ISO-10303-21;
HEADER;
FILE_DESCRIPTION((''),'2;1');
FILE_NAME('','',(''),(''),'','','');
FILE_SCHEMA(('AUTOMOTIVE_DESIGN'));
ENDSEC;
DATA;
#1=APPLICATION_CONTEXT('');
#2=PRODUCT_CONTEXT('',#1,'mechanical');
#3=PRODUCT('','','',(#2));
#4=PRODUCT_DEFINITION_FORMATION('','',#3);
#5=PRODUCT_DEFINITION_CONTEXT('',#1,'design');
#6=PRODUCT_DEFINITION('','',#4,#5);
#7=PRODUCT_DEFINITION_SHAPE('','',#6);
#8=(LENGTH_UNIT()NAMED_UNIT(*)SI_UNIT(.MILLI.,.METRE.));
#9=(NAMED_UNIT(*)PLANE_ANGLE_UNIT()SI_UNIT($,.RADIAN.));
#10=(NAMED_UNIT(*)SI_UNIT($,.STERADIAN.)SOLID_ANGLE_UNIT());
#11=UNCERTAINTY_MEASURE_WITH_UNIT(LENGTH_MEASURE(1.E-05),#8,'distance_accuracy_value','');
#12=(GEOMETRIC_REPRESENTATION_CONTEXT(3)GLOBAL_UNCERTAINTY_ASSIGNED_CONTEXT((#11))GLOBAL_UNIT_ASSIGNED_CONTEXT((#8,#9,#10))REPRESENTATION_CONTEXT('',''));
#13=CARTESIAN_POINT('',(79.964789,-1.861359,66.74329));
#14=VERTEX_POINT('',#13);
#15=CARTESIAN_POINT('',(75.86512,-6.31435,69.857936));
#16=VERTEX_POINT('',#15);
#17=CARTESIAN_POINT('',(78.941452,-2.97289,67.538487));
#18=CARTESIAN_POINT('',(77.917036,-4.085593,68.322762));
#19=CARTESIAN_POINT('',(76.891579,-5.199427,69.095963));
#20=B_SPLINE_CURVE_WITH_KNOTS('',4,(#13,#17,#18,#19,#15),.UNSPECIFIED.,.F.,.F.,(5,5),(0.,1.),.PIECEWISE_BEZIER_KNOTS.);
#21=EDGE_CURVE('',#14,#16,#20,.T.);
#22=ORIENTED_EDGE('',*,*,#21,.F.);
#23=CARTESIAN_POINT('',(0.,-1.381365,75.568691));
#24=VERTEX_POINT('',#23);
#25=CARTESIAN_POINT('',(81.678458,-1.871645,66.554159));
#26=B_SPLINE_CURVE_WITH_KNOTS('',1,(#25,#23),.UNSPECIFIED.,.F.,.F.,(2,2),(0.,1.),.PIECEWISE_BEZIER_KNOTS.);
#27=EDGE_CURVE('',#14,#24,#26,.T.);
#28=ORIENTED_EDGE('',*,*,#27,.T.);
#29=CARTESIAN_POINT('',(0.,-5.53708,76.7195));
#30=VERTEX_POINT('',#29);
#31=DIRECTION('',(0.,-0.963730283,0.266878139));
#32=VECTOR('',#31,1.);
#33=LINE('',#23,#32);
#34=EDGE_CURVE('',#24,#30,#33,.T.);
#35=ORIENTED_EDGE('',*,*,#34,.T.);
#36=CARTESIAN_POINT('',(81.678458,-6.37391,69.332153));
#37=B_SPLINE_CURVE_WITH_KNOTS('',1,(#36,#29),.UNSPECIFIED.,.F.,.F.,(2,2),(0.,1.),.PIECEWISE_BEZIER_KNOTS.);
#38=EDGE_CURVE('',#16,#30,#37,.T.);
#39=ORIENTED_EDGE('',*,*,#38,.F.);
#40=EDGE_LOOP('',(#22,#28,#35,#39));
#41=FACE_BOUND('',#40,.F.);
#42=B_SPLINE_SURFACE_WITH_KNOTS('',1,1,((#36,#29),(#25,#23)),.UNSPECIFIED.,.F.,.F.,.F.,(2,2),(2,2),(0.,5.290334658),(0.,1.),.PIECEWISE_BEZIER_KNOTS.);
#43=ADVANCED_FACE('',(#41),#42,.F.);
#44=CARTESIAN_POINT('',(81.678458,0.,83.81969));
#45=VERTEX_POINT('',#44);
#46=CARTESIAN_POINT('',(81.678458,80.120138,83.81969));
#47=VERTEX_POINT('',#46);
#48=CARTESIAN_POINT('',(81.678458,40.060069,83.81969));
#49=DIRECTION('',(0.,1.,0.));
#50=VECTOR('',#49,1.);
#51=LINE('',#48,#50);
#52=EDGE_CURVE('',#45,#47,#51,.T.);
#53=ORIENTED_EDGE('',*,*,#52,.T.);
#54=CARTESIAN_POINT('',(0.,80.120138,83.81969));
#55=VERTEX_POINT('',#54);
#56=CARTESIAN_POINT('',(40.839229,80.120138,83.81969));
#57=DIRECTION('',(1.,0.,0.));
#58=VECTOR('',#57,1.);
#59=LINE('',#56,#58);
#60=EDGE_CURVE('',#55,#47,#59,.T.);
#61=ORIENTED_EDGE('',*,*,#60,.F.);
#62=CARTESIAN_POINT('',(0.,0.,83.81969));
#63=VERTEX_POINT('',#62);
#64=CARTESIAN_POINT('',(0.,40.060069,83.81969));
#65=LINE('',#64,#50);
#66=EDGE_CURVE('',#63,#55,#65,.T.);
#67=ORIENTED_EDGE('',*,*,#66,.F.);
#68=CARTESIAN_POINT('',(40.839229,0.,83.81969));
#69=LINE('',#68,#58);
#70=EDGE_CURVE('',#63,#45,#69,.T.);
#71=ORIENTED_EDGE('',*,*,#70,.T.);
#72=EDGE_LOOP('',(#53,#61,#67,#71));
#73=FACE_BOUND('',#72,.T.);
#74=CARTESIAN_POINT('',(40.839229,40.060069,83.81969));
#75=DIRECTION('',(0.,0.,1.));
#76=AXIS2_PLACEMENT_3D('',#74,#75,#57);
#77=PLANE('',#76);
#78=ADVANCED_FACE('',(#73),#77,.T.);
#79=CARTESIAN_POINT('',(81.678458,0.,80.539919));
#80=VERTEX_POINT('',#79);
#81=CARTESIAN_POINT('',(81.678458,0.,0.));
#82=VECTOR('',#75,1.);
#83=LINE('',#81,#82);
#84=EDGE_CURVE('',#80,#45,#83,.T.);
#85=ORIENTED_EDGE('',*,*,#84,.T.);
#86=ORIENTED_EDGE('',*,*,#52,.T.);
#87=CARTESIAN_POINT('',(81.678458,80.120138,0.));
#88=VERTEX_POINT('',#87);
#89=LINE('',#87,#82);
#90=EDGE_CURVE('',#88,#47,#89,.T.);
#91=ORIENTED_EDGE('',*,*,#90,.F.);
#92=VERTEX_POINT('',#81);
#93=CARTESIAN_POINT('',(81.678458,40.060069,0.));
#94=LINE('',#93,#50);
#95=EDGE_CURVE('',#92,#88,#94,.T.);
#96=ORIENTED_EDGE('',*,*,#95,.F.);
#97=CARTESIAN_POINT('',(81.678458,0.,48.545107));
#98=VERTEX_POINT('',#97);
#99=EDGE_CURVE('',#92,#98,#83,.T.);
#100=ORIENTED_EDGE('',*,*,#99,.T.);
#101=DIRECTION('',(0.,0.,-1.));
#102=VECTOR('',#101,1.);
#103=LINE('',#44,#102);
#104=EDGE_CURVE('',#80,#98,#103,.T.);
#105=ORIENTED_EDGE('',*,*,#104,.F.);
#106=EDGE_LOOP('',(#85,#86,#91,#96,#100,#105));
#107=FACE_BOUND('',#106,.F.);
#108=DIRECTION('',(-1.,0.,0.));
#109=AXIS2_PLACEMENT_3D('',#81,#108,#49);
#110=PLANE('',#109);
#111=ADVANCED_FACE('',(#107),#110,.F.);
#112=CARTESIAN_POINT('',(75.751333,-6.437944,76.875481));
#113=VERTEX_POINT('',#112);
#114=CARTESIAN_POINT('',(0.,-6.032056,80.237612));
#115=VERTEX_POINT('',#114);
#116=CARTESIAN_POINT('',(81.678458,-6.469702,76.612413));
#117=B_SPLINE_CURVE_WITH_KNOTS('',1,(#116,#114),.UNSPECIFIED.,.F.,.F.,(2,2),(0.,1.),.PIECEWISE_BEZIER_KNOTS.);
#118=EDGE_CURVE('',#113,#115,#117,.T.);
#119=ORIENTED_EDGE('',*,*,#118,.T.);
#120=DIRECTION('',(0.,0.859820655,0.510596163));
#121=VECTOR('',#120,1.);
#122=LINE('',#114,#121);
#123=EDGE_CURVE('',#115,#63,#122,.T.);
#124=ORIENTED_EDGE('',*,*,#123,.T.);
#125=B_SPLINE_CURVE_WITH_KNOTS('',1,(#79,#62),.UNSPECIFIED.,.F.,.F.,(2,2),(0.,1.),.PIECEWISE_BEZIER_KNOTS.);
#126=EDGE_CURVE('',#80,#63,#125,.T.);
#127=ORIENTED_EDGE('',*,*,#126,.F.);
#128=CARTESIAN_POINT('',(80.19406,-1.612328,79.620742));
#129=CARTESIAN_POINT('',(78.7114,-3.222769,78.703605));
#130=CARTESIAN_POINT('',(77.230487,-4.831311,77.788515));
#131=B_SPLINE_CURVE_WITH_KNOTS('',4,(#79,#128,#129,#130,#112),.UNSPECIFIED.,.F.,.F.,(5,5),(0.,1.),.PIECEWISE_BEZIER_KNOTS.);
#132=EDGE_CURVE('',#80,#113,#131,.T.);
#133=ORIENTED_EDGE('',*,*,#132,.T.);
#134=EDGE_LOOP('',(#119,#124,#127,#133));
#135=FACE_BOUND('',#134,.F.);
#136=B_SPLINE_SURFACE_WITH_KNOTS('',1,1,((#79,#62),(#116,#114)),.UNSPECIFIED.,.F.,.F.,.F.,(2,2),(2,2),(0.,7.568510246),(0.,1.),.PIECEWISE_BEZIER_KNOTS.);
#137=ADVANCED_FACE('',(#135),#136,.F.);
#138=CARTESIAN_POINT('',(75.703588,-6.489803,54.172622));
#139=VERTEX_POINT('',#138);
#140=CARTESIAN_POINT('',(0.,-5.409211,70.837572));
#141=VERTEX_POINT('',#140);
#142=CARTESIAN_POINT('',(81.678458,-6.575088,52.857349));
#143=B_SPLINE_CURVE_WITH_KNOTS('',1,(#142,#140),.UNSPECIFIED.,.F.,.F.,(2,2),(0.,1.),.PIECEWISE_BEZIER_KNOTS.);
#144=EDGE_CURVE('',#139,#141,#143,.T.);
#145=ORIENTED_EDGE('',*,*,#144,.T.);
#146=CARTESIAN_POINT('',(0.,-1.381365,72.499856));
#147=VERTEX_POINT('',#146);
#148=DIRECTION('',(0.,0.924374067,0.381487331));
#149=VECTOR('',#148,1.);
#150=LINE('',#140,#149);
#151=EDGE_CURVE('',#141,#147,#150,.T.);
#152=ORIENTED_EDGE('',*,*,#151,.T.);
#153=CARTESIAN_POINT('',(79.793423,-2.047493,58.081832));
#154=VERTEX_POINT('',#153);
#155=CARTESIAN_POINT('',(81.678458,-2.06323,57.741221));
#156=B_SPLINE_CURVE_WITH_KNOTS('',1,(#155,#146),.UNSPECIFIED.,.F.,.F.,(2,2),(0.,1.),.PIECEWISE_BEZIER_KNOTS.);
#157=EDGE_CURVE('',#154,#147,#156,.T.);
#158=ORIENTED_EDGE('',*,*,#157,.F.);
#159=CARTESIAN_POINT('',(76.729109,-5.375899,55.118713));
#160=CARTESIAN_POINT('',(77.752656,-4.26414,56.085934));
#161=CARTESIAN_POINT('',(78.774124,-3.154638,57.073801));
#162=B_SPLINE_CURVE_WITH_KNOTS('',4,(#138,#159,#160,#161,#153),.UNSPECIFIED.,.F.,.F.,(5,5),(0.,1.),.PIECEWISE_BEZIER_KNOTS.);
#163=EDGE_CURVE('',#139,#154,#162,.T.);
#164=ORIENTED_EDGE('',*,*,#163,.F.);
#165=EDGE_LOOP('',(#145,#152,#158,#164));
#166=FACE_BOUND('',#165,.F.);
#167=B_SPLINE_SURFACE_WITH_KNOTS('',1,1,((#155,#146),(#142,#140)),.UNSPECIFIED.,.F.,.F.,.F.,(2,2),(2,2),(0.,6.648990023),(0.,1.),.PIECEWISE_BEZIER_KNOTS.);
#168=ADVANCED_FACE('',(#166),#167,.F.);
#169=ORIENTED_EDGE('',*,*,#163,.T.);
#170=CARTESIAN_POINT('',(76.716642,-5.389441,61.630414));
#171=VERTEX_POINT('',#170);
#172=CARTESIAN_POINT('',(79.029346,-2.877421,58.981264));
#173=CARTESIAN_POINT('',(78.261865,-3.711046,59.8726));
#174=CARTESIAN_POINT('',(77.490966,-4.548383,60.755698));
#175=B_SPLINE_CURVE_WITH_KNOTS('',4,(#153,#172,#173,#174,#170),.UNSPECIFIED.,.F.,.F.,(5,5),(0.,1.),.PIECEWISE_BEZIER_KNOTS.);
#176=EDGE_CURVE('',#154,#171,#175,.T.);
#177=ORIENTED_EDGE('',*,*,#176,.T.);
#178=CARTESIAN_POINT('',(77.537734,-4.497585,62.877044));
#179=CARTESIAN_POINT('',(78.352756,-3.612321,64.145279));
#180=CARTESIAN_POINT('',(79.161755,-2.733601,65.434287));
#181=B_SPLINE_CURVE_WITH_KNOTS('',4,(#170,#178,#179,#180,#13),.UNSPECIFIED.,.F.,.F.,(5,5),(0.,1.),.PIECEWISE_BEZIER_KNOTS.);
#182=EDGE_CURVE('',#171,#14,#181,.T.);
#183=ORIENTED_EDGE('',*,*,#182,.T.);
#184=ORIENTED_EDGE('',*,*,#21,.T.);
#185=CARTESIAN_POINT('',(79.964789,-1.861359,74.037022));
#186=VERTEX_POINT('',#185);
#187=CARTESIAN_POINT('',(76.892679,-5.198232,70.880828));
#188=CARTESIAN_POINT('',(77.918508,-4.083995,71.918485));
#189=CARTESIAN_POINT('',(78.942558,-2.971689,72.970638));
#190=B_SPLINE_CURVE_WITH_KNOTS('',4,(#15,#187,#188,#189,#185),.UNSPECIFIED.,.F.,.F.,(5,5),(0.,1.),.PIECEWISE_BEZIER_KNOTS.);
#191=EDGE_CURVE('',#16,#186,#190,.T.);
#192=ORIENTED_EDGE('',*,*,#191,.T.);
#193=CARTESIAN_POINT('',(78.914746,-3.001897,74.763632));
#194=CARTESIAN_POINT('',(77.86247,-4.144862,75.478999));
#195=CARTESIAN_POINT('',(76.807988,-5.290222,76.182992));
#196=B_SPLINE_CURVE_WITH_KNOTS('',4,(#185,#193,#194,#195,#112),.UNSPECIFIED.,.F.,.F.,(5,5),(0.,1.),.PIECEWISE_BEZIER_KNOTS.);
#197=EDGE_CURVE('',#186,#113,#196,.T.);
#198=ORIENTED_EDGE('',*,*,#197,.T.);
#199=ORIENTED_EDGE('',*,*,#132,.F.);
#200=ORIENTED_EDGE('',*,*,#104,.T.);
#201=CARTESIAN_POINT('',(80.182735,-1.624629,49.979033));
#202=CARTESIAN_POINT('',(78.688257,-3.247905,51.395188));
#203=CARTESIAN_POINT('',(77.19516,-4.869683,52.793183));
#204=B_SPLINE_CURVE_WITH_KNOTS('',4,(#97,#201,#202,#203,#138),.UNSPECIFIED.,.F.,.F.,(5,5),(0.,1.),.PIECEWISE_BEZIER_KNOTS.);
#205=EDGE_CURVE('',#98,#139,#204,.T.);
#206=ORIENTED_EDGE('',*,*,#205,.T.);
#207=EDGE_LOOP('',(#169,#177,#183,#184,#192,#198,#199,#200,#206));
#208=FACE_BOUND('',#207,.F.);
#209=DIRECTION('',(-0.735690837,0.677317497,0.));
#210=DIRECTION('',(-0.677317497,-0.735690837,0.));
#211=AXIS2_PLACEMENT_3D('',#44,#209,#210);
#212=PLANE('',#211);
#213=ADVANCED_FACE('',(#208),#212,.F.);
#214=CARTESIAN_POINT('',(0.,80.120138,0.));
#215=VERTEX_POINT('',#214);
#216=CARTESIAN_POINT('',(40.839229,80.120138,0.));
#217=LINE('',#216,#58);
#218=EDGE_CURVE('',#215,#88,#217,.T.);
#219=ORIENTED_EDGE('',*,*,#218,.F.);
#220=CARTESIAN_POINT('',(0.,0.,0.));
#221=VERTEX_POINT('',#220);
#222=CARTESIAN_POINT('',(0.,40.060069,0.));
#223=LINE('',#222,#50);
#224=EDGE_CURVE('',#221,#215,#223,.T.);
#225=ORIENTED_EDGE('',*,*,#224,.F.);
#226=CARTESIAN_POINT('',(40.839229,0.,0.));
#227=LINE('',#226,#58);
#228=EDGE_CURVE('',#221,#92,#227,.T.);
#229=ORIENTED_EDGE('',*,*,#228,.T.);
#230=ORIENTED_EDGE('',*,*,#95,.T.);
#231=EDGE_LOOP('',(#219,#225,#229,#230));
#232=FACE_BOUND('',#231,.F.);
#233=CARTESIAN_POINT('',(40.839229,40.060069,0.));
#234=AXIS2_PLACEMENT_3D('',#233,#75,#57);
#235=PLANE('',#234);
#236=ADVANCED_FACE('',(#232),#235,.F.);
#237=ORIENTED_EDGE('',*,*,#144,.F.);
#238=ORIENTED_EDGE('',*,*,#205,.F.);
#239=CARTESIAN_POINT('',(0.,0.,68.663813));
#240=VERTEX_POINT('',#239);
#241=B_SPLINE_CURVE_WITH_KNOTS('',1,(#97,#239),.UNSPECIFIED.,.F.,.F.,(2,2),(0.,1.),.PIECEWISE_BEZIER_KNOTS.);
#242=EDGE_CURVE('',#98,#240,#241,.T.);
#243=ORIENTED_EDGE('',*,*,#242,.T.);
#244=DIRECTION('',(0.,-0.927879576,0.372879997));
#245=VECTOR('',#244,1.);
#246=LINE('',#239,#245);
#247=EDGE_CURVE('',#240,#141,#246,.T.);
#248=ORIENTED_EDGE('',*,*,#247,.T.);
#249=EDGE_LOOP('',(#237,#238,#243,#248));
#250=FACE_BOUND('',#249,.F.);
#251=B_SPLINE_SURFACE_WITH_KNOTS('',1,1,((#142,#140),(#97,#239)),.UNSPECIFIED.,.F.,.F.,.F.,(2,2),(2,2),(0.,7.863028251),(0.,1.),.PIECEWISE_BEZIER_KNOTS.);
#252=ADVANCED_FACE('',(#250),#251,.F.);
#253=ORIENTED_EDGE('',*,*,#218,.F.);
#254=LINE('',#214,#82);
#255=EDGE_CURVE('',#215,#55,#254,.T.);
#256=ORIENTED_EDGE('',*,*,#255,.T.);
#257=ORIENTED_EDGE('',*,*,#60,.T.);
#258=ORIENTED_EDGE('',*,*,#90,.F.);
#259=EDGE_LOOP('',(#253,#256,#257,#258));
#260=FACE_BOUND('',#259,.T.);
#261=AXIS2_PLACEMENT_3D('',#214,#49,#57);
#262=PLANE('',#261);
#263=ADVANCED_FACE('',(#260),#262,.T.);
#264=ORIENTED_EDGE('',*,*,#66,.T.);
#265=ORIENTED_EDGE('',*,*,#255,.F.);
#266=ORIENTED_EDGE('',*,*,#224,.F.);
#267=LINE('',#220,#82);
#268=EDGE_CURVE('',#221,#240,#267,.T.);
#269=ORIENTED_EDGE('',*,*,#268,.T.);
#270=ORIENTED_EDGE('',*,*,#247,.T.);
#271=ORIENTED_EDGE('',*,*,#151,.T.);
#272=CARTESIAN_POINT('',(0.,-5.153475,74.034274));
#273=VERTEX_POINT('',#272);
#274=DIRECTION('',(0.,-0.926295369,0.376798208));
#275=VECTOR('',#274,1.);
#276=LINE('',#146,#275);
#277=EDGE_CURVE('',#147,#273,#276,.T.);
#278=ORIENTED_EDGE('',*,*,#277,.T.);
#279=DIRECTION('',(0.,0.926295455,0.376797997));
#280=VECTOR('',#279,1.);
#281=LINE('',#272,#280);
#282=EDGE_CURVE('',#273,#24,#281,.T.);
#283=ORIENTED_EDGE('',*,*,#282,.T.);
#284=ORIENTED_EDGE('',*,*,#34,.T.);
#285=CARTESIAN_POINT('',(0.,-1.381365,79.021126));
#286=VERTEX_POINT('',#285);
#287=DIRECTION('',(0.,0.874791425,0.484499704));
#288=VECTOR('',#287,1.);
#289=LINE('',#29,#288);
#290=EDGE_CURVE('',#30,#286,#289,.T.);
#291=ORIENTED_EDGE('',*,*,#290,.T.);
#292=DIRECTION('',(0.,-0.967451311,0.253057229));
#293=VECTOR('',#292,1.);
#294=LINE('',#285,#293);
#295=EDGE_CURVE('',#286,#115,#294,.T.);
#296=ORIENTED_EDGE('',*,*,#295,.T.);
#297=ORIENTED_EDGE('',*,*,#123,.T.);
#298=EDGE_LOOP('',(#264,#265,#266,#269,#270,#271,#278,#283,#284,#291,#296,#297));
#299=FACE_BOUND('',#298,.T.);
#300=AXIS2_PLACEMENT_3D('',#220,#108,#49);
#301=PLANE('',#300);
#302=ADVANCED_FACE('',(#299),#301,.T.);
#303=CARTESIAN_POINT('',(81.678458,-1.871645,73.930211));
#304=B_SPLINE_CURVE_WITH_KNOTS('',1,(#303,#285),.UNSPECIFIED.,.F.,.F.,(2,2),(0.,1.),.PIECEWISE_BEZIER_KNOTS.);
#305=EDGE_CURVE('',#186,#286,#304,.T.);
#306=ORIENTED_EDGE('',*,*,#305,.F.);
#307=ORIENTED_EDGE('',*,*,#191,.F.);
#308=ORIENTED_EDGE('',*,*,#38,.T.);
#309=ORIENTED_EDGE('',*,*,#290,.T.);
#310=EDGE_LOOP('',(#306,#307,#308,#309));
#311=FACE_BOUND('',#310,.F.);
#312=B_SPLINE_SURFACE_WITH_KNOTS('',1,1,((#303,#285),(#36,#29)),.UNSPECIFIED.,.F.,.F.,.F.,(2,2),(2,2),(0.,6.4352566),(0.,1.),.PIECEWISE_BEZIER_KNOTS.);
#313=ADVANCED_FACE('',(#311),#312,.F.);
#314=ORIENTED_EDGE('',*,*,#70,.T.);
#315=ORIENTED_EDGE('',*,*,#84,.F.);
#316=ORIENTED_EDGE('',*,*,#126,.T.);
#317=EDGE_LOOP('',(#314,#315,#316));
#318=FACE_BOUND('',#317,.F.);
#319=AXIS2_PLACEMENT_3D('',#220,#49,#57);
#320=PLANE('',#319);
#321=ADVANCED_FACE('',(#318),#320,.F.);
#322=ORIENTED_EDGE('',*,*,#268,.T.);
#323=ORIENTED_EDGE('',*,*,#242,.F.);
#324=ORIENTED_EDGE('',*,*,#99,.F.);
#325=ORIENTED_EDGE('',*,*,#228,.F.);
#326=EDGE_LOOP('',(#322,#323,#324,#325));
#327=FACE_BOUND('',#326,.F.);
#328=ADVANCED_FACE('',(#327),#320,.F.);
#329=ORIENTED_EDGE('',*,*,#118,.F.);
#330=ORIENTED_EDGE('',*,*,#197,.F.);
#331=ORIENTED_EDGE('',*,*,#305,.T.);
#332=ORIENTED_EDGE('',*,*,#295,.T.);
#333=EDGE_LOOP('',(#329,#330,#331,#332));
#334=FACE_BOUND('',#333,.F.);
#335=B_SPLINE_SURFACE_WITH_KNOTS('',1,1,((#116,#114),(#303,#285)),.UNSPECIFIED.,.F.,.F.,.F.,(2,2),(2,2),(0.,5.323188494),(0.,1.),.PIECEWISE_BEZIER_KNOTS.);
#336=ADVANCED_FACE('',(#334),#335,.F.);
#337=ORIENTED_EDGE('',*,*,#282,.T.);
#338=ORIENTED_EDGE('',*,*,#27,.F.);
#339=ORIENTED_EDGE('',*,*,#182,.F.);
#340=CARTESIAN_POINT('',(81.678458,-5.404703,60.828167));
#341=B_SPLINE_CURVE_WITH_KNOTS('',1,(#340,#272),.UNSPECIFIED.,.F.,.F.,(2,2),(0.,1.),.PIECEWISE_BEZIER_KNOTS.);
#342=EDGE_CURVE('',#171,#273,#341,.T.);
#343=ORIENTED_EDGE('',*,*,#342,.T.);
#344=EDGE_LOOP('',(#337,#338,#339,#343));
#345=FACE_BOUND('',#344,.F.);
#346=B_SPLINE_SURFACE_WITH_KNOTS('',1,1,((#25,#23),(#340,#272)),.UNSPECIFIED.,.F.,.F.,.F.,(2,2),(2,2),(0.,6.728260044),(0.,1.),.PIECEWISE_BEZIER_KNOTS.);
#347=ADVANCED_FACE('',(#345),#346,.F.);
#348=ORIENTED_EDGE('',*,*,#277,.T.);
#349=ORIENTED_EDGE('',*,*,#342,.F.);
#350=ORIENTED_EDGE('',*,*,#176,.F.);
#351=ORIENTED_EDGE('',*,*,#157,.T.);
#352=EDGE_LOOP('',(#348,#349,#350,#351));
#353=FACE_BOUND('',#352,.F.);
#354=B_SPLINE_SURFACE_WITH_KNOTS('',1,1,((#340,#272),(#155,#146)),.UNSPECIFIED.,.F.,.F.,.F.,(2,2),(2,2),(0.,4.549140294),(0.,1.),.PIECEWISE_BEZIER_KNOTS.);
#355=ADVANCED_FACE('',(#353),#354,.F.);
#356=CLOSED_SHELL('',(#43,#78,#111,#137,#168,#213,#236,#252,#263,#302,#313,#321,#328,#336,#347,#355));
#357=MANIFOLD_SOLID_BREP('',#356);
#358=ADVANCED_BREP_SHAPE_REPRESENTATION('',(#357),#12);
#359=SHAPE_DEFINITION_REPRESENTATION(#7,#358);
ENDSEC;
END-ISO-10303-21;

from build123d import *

# Parameters (mm, degrees)
F0_W     = 81.678458
F0_H     = 80.120139
F1_DEPTH = 83.81969
F6_DEPTH = 83.82069


with BuildPart() as f1:
    # F0 (on Top) → F1 (new body)
    with BuildSketch(Plane.XY):
        with Locations((40.839229, 40.060069)):
            Rectangle(F0_W, F0_H)
    extrude(amount=F1_DEPTH)

    # F2 (on face) → F4 section 0
    with BuildSketch(Plane.YZ.offset(81.678458)):
        Polygon((0, 48.545107), (0, 80.539919), (-6.469702, 76.612413), (-1.871645, 73.930211), (-6.37391, 69.332153), (-1.871645, 66.554159), (-5.404703, 60.828167), (-2.06323, 57.741221), (-6.575088, 52.857349), align=None)
    # F3 (on face) → F4 section 1
    with BuildSketch(Plane(origin=(0, 0, 0), x_dir=(0, -1, 0), z_dir=(-1, 0, 0))):
        Polygon((6.032056, 80.237612), (0, 83.81969), (0, 68.663813), (5.409211, 70.837572), (1.381365, 72.499856), (5.153475, 74.034274), (1.381365, 75.568691), (5.53708, 76.7195), (1.381365, 79.021126), align=None)
    loft()

    # F5 (on face) → F6 (cut, through all)
    with BuildSketch(Plane.XY.offset(83.81969)):
        Polygon((83.874113, -8.362563), (81.678458, 0), (73.979422, -8.362563), align=None)
    extrude(amount=-F6_DEPTH, mode=Mode.SUBTRACT)


solid = f1.part
